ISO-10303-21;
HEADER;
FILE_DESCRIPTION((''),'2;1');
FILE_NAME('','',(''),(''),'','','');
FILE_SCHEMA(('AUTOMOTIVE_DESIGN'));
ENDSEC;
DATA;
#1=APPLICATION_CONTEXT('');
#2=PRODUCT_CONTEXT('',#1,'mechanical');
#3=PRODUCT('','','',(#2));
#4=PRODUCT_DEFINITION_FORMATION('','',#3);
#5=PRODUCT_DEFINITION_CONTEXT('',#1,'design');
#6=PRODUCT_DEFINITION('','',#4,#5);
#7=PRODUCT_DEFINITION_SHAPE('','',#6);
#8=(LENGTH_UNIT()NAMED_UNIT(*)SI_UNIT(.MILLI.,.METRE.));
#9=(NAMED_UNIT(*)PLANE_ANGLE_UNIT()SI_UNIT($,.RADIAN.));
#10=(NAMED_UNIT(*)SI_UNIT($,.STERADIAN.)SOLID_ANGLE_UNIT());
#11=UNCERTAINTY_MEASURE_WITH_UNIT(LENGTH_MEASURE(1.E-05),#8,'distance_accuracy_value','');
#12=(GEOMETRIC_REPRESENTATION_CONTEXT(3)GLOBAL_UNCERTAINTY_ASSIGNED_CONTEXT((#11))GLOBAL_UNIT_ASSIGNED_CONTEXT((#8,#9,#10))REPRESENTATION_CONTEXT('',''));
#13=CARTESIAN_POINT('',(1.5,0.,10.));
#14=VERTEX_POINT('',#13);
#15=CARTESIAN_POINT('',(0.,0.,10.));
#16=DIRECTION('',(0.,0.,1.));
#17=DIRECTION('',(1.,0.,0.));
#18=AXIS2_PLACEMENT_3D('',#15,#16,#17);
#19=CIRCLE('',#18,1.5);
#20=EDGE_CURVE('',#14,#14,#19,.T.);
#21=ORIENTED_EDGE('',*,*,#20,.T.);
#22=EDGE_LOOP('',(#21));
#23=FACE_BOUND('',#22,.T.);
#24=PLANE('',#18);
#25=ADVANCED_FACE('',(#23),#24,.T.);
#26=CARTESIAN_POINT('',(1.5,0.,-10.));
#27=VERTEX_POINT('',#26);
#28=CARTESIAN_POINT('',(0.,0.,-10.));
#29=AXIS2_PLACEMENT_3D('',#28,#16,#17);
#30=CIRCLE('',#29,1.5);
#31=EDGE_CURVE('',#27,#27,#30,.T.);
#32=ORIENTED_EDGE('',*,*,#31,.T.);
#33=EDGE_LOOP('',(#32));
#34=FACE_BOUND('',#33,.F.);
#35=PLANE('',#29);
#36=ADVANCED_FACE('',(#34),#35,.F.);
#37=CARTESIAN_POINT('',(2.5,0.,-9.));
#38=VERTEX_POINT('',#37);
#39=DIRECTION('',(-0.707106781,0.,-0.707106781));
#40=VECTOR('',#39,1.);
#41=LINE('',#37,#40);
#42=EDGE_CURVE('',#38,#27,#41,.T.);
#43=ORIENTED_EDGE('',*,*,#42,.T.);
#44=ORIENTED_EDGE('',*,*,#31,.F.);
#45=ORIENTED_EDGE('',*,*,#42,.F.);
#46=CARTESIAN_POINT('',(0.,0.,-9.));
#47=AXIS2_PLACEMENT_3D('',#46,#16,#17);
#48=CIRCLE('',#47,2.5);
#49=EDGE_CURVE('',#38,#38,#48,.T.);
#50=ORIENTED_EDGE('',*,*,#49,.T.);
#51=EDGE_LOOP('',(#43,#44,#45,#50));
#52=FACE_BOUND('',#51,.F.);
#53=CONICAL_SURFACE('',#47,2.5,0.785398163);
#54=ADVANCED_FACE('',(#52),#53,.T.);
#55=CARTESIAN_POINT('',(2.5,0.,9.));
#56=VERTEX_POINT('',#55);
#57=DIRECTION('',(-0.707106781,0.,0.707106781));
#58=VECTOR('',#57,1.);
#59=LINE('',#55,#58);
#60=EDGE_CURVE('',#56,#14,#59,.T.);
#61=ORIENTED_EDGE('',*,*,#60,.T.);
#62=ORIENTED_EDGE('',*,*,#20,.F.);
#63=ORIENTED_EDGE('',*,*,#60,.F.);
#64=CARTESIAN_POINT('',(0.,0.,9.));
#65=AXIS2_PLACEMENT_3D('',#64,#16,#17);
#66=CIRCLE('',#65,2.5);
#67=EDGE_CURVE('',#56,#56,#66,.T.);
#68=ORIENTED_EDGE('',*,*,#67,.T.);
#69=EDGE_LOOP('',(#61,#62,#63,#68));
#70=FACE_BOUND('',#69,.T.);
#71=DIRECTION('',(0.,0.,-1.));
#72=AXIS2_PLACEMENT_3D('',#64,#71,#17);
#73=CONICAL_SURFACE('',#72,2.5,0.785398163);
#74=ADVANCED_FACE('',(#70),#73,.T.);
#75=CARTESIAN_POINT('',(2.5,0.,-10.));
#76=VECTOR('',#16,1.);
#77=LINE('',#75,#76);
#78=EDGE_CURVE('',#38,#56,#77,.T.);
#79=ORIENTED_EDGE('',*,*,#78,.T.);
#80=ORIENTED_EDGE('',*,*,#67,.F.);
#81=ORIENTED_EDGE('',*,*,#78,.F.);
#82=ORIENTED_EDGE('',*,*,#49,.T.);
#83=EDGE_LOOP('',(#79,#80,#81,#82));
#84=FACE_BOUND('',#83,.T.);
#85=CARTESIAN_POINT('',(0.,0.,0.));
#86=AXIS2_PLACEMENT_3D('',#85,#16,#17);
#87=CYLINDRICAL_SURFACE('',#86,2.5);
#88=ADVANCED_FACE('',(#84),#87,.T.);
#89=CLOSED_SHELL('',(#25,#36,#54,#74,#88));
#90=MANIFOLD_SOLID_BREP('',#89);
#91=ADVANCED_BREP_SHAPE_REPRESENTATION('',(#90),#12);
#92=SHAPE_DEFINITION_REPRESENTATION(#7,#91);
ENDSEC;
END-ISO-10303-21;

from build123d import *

# Parameters (mm, degrees)
F1_R     = 2.5
F2_DEPTH = 10
F3_SIZE  = 1


with BuildPart() as f2:
    # F1 (on Top) → F2 (new body, symmetric)
    with BuildSketch(Plane.XY):
        Circle(F1_R)
    extrude(amount=F2_DEPTH, both=True)

    # F3
    f3_edges = [f2.edges().sort_by_distance(p)[0] for p in [
        (-2.5, 0, 10),
        (-2.5, 0, -10),
    ]]
    chamfer(f3_edges, length=F3_SIZE)


solid = f2.part
